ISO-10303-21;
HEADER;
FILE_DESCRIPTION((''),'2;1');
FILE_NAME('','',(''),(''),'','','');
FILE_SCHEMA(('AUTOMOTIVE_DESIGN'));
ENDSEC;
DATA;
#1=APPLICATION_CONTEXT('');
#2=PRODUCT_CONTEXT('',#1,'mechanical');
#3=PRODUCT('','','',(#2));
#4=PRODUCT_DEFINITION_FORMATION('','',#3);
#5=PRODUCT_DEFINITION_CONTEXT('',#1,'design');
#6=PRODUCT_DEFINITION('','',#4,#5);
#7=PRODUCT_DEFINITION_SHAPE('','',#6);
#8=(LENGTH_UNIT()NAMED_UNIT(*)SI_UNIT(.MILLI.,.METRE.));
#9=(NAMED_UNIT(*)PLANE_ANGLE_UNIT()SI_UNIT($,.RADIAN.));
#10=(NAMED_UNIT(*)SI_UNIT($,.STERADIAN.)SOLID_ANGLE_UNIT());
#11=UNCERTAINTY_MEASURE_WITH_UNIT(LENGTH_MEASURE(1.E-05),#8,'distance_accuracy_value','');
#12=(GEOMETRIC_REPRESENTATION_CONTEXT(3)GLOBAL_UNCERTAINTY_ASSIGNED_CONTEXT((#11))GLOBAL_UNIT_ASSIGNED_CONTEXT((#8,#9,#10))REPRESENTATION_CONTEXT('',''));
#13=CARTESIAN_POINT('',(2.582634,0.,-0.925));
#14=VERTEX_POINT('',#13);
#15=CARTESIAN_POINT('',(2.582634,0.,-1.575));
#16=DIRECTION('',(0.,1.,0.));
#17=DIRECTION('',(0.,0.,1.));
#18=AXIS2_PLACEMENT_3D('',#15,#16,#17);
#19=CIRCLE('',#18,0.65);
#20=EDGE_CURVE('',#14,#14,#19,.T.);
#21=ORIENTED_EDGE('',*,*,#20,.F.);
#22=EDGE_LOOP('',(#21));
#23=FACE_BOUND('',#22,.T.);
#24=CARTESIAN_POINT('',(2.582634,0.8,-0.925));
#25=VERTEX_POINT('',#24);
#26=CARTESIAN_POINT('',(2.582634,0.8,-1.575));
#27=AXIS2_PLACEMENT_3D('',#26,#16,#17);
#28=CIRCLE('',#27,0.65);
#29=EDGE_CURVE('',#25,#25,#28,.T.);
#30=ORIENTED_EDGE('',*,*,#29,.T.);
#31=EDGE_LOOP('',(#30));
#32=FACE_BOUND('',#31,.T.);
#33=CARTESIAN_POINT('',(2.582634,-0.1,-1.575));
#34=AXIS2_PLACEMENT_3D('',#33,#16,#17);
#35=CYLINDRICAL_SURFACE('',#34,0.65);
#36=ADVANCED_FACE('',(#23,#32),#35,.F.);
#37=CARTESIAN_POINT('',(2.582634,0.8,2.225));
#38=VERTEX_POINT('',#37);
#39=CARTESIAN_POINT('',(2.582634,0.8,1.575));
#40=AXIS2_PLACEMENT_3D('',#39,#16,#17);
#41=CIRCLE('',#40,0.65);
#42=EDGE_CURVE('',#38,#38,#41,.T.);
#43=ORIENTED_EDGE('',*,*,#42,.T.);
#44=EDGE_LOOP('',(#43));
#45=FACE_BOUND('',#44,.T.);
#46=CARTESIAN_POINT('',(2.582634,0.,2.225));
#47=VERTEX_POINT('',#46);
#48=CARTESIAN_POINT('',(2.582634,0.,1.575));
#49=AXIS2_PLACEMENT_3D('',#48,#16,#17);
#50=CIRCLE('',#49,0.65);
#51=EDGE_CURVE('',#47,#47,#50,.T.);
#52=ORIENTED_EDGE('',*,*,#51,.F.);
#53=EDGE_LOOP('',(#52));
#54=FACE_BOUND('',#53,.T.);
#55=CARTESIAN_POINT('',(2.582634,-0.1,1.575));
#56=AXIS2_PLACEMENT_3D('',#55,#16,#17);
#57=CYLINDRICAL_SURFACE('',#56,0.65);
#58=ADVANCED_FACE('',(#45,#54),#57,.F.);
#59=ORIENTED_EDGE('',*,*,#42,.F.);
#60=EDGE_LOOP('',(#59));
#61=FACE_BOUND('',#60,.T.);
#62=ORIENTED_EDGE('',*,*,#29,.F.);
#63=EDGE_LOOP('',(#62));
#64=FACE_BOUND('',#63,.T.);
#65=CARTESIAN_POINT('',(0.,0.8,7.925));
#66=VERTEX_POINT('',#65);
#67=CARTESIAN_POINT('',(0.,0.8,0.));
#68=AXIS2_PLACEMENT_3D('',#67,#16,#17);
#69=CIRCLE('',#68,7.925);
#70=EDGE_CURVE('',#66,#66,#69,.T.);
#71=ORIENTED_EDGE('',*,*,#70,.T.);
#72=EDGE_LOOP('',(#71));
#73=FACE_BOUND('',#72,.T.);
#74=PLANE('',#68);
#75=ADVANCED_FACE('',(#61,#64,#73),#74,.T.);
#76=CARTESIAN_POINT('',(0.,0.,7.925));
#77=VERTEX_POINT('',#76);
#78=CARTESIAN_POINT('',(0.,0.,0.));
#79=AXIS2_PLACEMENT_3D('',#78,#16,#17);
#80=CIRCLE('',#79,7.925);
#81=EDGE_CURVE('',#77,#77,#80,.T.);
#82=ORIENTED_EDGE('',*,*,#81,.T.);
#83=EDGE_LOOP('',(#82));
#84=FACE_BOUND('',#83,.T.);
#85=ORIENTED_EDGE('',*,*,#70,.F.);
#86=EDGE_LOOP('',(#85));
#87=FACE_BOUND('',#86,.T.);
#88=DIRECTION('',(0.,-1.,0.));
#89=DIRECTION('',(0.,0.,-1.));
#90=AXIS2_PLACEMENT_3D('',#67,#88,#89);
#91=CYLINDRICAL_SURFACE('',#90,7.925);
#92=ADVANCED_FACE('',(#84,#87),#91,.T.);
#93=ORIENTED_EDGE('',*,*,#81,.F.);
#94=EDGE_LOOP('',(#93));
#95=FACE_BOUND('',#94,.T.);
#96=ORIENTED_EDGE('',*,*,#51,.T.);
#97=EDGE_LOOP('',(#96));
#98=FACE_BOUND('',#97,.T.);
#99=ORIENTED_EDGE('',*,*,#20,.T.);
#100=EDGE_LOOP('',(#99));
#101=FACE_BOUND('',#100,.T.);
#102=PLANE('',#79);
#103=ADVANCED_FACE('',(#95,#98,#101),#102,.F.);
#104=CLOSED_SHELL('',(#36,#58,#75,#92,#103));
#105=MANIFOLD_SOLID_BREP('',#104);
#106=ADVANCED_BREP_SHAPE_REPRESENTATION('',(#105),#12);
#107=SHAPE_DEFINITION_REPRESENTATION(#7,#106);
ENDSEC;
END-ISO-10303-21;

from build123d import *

# Parameters (mm, degrees)
SKETCH1_R           = 7.925
BOSS_EXTRUDE1_DEPTH = 0.8
SKETCH3_R           = 0.65
CUT_EXTRUDE1_DEPTH  = 0.9


with BuildPart() as part:
    # Sketch1 → Boss-Extrude1 (new body)
    with BuildSketch(Plane(origin=(0, 0, 0), x_dir=(1, 0, 0), z_dir=(0, 1, 0))):
        Circle(SKETCH1_R)
    extrude(amount=BOSS_EXTRUDE1_DEPTH)

    # Sketch3 → Cut-Extrude1 (cut)
    with BuildSketch(Plane(origin=(0, 0.8, 0), x_dir=(1, 0, 0), z_dir=(0, 1, 0))):
        with Locations((2.582634314, 1.575)):
            Circle(SKETCH3_R)
        with Locations((2.582634314, -1.575)):
            Circle(SKETCH3_R)
    extrude(amount=-CUT_EXTRUDE1_DEPTH, mode=Mode.SUBTRACT)


solid = part.part
